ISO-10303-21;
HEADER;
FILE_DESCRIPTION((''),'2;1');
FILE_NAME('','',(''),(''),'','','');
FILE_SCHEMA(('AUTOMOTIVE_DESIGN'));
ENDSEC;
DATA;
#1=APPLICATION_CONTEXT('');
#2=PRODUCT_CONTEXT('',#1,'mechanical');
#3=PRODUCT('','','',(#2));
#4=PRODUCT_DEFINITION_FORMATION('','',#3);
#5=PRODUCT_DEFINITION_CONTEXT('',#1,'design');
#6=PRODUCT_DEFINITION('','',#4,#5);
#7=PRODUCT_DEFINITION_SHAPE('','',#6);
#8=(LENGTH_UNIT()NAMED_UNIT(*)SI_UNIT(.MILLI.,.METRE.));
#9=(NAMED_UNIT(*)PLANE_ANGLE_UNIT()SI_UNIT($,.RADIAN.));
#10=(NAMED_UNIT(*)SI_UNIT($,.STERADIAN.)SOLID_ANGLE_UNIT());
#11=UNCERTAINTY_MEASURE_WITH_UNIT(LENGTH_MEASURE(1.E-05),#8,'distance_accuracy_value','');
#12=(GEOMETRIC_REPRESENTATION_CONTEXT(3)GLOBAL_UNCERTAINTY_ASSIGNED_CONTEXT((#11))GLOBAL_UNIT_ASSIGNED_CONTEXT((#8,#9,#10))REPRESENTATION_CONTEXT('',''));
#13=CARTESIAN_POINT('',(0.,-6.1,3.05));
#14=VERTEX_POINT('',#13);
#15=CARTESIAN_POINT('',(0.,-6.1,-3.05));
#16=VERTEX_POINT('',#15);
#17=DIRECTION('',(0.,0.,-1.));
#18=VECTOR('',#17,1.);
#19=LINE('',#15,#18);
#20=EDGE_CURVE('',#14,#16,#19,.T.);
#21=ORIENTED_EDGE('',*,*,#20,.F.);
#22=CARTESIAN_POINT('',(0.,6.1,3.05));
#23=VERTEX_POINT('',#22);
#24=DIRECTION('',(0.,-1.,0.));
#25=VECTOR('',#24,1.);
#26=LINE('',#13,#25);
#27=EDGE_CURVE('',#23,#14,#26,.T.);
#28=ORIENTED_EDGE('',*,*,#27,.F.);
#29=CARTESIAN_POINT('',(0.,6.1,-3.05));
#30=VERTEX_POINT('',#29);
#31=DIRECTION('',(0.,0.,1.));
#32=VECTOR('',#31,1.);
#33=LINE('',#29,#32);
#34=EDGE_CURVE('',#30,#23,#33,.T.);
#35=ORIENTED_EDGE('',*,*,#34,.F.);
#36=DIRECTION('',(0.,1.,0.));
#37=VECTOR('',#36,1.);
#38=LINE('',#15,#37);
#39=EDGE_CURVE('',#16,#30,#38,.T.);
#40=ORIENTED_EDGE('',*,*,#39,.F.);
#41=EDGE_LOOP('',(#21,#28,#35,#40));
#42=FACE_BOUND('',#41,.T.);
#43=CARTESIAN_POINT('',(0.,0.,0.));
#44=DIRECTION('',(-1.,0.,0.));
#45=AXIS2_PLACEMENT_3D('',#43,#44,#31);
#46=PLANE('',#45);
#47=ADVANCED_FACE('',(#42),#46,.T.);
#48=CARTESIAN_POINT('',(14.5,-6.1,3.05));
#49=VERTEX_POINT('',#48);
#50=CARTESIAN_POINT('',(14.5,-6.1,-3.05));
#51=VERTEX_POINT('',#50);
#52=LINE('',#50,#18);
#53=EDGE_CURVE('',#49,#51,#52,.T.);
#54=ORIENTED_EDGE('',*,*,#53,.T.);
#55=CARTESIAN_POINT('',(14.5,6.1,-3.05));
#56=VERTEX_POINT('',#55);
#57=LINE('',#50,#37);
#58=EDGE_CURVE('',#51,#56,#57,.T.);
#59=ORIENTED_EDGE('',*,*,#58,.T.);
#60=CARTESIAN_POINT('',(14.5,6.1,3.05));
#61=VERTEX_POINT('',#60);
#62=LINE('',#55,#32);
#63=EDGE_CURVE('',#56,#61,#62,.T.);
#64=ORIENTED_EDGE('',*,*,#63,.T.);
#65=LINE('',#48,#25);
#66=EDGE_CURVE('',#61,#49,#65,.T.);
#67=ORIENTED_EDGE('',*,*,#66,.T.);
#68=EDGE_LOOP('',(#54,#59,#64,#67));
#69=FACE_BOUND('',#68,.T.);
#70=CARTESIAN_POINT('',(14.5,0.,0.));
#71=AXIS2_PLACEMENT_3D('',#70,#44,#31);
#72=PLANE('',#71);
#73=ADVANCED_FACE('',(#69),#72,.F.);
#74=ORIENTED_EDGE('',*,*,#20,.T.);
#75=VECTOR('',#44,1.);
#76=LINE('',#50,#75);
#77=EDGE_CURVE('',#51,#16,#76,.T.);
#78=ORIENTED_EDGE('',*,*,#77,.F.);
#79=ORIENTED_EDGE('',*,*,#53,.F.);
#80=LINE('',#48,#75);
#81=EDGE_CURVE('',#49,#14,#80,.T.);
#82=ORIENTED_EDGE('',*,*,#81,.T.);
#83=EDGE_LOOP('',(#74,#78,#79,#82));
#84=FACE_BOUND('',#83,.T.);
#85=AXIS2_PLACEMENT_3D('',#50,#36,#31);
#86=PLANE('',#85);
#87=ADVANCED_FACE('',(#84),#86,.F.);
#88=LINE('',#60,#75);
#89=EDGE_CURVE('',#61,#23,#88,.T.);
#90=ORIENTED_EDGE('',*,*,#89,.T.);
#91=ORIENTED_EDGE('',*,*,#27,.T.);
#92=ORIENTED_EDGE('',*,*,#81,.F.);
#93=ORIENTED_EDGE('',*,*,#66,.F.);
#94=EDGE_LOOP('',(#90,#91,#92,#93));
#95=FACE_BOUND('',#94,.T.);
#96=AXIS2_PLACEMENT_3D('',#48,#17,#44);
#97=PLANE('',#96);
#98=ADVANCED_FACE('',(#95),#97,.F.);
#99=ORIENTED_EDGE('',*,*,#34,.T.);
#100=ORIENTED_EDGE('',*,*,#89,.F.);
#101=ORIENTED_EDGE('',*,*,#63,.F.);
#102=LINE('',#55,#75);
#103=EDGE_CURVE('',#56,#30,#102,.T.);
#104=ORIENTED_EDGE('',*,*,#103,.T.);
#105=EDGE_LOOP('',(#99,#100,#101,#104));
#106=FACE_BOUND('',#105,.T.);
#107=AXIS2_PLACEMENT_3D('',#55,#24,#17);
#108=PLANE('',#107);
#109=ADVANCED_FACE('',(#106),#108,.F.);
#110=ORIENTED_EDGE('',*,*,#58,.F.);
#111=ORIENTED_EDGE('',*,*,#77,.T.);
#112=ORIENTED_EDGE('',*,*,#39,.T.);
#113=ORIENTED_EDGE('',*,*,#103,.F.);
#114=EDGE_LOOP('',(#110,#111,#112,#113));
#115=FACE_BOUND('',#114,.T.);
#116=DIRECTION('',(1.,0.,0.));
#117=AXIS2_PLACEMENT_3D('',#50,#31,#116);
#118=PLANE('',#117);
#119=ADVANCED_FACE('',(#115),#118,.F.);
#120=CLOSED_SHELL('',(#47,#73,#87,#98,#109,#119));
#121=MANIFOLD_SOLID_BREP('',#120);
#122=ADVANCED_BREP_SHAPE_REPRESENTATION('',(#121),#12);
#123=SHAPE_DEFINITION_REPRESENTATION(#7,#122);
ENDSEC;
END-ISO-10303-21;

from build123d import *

# Parameters (mm, degrees)
SKETCH_1_W      = 12.2
SKETCH_1_H      = 6.1
EXTRUDE_1_DEPTH = 14.5


with BuildPart() as part:
    # ｽｹｯﾁ1 → ﾎﾞｽ - 押し出し1 (new body)
    with BuildSketch(Plane.YZ):
        Rectangle(SKETCH_1_W, SKETCH_1_H)
    extrude(amount=EXTRUDE_1_DEPTH)


solid = part.part
